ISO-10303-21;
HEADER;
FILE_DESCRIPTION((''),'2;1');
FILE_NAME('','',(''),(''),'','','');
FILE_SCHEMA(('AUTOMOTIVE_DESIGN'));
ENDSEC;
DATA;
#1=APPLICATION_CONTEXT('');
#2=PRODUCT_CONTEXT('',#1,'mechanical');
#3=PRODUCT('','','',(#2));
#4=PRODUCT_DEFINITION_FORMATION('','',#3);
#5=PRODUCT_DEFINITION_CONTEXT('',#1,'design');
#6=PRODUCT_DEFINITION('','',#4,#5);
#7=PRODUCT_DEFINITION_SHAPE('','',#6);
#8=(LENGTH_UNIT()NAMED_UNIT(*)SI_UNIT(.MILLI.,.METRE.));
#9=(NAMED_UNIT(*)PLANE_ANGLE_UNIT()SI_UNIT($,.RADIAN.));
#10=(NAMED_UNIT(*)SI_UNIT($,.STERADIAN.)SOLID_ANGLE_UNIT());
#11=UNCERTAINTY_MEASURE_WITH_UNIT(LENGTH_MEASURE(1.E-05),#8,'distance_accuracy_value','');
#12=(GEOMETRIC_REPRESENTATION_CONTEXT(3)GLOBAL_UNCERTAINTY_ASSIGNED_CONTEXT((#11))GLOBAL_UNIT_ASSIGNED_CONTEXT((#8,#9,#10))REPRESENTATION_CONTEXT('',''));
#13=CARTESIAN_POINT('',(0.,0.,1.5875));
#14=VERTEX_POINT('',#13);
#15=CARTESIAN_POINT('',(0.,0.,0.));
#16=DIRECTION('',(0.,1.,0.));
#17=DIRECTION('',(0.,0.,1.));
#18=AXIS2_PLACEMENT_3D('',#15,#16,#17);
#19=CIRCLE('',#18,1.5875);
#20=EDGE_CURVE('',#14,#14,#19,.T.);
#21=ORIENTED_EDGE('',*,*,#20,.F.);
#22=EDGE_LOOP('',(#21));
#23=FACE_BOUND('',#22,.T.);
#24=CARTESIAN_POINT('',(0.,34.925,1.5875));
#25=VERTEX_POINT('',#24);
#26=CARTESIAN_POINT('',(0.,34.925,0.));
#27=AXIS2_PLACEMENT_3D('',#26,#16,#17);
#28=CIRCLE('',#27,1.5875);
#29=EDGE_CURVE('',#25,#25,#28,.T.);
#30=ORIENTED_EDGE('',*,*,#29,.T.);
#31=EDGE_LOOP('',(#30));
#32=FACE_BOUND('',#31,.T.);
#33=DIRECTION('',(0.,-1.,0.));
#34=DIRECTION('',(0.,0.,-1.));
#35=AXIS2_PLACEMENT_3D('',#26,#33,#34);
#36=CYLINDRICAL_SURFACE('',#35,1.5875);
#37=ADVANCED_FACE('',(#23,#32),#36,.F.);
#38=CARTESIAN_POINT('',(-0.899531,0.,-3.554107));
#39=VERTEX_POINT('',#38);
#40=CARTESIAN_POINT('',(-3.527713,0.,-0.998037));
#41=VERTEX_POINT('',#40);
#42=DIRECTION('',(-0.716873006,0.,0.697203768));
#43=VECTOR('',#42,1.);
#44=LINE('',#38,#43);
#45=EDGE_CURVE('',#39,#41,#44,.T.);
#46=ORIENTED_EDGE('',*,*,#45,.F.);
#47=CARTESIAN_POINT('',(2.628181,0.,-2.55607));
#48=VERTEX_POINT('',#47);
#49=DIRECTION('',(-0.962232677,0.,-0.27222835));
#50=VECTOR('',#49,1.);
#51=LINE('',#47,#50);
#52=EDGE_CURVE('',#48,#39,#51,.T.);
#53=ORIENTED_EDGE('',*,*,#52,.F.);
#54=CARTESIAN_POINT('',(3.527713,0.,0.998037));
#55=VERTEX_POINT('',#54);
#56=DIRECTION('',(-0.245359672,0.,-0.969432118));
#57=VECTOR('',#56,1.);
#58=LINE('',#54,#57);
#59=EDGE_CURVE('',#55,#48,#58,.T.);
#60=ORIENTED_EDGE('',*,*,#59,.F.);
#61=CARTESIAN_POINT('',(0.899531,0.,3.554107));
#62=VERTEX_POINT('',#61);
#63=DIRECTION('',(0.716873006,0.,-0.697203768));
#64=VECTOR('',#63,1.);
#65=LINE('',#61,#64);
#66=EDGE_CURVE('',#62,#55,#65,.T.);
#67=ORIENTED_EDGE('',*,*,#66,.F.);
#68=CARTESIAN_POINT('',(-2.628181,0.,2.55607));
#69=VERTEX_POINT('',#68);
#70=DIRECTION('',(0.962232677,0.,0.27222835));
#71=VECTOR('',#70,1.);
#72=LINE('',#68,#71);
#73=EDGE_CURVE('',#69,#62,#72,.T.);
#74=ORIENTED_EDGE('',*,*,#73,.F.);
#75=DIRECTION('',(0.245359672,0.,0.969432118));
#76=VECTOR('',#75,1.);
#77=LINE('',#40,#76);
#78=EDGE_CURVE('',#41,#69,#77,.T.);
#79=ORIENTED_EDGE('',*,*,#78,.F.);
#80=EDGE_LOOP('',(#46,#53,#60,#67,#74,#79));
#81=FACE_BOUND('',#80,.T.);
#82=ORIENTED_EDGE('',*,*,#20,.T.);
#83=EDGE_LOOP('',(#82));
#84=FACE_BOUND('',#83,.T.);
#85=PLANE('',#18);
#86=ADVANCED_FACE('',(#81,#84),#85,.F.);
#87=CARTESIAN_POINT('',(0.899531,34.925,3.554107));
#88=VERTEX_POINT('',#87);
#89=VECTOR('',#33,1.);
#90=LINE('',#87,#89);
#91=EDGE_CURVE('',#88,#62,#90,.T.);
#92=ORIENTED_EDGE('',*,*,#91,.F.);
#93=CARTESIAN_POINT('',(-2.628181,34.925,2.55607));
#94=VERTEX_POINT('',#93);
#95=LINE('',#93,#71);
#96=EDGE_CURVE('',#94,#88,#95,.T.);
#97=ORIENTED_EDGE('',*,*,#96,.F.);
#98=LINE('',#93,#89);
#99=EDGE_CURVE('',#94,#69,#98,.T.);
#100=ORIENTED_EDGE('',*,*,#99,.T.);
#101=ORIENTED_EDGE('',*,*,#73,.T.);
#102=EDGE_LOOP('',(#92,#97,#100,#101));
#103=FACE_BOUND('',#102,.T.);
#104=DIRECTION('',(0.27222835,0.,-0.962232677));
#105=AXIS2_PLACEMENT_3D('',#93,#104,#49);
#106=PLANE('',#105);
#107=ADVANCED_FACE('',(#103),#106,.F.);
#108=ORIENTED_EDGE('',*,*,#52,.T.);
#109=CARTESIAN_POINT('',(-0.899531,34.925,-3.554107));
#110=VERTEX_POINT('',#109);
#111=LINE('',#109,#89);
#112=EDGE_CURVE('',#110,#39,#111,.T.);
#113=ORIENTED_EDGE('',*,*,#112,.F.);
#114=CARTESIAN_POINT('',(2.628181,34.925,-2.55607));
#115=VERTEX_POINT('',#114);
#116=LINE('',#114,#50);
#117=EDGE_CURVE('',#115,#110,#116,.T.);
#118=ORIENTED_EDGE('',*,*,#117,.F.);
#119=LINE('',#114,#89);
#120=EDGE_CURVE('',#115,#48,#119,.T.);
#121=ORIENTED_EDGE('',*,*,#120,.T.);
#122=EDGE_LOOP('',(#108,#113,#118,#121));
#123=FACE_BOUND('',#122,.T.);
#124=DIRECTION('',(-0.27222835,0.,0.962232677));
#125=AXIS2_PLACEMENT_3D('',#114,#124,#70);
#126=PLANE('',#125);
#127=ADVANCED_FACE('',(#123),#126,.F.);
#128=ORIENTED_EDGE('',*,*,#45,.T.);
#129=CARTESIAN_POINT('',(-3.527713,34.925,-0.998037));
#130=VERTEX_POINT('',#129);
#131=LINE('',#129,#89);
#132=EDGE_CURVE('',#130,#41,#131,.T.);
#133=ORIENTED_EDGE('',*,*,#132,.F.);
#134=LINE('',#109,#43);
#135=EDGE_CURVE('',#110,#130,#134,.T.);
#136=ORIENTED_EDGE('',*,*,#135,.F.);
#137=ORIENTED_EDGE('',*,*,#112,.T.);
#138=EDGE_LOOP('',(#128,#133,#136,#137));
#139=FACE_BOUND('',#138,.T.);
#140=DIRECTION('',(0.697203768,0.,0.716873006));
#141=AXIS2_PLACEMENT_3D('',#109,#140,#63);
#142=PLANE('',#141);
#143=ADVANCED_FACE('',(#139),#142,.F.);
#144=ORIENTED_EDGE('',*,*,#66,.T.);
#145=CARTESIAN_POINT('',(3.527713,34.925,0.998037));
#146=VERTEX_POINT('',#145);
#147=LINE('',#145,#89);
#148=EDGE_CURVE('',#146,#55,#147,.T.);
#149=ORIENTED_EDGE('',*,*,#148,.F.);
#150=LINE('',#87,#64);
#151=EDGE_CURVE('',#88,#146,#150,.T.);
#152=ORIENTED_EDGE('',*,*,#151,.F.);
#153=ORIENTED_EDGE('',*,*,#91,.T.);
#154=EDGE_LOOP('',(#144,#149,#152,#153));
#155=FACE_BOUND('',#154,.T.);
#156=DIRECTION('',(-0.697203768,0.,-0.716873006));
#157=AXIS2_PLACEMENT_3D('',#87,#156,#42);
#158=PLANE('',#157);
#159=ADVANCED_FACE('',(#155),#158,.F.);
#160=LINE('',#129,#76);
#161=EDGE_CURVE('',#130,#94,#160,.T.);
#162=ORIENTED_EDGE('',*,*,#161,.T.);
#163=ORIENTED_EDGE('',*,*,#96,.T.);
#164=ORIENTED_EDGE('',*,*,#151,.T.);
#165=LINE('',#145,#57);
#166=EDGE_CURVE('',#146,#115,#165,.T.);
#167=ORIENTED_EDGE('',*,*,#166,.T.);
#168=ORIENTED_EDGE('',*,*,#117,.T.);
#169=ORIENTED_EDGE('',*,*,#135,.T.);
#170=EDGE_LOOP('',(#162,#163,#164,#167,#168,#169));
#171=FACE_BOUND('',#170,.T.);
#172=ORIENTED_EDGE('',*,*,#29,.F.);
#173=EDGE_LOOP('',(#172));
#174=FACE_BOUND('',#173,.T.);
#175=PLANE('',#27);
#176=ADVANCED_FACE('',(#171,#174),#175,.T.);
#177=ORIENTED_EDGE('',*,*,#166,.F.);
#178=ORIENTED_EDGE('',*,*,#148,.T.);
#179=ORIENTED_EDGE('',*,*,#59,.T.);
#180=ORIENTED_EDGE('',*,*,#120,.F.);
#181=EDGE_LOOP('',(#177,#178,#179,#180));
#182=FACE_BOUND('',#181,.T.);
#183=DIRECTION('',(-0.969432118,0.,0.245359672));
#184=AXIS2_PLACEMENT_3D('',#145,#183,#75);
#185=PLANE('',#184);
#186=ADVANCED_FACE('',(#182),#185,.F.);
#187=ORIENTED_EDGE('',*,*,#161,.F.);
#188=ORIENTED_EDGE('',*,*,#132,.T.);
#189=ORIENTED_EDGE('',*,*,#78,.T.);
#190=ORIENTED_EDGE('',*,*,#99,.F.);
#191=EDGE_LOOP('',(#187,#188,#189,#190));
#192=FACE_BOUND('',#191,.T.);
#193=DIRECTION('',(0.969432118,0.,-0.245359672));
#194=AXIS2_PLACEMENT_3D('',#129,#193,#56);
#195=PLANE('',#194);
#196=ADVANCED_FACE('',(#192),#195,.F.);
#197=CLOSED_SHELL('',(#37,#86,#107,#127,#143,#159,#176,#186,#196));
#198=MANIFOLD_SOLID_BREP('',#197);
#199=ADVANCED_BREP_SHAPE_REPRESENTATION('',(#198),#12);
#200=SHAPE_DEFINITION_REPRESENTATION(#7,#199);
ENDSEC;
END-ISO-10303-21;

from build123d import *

# Parameters (mm, degrees)
SKETCH1_R           = 1.5875
BOSS_EXTRUDE1_DEPTH = 34.925


with BuildPart() as part:
    # Sketch1 → Boss-Extrude1 (new body)
    with BuildSketch(Plane(origin=(0, 0, 0), x_dir=(1, 0, 0), z_dir=(0, 1, 0))):
        Polygon((2.628181325, 2.556070472), (-0.8995313, 3.554107029), (-3.527712625, 0.998036557), (-2.628181325, -2.556070472), (0.8995313, -3.554107029), (3.527712625, -0.998036557), align=None)
        Circle(SKETCH1_R, mode=Mode.SUBTRACT)
    extrude(amount=BOSS_EXTRUDE1_DEPTH)


solid = part.part
